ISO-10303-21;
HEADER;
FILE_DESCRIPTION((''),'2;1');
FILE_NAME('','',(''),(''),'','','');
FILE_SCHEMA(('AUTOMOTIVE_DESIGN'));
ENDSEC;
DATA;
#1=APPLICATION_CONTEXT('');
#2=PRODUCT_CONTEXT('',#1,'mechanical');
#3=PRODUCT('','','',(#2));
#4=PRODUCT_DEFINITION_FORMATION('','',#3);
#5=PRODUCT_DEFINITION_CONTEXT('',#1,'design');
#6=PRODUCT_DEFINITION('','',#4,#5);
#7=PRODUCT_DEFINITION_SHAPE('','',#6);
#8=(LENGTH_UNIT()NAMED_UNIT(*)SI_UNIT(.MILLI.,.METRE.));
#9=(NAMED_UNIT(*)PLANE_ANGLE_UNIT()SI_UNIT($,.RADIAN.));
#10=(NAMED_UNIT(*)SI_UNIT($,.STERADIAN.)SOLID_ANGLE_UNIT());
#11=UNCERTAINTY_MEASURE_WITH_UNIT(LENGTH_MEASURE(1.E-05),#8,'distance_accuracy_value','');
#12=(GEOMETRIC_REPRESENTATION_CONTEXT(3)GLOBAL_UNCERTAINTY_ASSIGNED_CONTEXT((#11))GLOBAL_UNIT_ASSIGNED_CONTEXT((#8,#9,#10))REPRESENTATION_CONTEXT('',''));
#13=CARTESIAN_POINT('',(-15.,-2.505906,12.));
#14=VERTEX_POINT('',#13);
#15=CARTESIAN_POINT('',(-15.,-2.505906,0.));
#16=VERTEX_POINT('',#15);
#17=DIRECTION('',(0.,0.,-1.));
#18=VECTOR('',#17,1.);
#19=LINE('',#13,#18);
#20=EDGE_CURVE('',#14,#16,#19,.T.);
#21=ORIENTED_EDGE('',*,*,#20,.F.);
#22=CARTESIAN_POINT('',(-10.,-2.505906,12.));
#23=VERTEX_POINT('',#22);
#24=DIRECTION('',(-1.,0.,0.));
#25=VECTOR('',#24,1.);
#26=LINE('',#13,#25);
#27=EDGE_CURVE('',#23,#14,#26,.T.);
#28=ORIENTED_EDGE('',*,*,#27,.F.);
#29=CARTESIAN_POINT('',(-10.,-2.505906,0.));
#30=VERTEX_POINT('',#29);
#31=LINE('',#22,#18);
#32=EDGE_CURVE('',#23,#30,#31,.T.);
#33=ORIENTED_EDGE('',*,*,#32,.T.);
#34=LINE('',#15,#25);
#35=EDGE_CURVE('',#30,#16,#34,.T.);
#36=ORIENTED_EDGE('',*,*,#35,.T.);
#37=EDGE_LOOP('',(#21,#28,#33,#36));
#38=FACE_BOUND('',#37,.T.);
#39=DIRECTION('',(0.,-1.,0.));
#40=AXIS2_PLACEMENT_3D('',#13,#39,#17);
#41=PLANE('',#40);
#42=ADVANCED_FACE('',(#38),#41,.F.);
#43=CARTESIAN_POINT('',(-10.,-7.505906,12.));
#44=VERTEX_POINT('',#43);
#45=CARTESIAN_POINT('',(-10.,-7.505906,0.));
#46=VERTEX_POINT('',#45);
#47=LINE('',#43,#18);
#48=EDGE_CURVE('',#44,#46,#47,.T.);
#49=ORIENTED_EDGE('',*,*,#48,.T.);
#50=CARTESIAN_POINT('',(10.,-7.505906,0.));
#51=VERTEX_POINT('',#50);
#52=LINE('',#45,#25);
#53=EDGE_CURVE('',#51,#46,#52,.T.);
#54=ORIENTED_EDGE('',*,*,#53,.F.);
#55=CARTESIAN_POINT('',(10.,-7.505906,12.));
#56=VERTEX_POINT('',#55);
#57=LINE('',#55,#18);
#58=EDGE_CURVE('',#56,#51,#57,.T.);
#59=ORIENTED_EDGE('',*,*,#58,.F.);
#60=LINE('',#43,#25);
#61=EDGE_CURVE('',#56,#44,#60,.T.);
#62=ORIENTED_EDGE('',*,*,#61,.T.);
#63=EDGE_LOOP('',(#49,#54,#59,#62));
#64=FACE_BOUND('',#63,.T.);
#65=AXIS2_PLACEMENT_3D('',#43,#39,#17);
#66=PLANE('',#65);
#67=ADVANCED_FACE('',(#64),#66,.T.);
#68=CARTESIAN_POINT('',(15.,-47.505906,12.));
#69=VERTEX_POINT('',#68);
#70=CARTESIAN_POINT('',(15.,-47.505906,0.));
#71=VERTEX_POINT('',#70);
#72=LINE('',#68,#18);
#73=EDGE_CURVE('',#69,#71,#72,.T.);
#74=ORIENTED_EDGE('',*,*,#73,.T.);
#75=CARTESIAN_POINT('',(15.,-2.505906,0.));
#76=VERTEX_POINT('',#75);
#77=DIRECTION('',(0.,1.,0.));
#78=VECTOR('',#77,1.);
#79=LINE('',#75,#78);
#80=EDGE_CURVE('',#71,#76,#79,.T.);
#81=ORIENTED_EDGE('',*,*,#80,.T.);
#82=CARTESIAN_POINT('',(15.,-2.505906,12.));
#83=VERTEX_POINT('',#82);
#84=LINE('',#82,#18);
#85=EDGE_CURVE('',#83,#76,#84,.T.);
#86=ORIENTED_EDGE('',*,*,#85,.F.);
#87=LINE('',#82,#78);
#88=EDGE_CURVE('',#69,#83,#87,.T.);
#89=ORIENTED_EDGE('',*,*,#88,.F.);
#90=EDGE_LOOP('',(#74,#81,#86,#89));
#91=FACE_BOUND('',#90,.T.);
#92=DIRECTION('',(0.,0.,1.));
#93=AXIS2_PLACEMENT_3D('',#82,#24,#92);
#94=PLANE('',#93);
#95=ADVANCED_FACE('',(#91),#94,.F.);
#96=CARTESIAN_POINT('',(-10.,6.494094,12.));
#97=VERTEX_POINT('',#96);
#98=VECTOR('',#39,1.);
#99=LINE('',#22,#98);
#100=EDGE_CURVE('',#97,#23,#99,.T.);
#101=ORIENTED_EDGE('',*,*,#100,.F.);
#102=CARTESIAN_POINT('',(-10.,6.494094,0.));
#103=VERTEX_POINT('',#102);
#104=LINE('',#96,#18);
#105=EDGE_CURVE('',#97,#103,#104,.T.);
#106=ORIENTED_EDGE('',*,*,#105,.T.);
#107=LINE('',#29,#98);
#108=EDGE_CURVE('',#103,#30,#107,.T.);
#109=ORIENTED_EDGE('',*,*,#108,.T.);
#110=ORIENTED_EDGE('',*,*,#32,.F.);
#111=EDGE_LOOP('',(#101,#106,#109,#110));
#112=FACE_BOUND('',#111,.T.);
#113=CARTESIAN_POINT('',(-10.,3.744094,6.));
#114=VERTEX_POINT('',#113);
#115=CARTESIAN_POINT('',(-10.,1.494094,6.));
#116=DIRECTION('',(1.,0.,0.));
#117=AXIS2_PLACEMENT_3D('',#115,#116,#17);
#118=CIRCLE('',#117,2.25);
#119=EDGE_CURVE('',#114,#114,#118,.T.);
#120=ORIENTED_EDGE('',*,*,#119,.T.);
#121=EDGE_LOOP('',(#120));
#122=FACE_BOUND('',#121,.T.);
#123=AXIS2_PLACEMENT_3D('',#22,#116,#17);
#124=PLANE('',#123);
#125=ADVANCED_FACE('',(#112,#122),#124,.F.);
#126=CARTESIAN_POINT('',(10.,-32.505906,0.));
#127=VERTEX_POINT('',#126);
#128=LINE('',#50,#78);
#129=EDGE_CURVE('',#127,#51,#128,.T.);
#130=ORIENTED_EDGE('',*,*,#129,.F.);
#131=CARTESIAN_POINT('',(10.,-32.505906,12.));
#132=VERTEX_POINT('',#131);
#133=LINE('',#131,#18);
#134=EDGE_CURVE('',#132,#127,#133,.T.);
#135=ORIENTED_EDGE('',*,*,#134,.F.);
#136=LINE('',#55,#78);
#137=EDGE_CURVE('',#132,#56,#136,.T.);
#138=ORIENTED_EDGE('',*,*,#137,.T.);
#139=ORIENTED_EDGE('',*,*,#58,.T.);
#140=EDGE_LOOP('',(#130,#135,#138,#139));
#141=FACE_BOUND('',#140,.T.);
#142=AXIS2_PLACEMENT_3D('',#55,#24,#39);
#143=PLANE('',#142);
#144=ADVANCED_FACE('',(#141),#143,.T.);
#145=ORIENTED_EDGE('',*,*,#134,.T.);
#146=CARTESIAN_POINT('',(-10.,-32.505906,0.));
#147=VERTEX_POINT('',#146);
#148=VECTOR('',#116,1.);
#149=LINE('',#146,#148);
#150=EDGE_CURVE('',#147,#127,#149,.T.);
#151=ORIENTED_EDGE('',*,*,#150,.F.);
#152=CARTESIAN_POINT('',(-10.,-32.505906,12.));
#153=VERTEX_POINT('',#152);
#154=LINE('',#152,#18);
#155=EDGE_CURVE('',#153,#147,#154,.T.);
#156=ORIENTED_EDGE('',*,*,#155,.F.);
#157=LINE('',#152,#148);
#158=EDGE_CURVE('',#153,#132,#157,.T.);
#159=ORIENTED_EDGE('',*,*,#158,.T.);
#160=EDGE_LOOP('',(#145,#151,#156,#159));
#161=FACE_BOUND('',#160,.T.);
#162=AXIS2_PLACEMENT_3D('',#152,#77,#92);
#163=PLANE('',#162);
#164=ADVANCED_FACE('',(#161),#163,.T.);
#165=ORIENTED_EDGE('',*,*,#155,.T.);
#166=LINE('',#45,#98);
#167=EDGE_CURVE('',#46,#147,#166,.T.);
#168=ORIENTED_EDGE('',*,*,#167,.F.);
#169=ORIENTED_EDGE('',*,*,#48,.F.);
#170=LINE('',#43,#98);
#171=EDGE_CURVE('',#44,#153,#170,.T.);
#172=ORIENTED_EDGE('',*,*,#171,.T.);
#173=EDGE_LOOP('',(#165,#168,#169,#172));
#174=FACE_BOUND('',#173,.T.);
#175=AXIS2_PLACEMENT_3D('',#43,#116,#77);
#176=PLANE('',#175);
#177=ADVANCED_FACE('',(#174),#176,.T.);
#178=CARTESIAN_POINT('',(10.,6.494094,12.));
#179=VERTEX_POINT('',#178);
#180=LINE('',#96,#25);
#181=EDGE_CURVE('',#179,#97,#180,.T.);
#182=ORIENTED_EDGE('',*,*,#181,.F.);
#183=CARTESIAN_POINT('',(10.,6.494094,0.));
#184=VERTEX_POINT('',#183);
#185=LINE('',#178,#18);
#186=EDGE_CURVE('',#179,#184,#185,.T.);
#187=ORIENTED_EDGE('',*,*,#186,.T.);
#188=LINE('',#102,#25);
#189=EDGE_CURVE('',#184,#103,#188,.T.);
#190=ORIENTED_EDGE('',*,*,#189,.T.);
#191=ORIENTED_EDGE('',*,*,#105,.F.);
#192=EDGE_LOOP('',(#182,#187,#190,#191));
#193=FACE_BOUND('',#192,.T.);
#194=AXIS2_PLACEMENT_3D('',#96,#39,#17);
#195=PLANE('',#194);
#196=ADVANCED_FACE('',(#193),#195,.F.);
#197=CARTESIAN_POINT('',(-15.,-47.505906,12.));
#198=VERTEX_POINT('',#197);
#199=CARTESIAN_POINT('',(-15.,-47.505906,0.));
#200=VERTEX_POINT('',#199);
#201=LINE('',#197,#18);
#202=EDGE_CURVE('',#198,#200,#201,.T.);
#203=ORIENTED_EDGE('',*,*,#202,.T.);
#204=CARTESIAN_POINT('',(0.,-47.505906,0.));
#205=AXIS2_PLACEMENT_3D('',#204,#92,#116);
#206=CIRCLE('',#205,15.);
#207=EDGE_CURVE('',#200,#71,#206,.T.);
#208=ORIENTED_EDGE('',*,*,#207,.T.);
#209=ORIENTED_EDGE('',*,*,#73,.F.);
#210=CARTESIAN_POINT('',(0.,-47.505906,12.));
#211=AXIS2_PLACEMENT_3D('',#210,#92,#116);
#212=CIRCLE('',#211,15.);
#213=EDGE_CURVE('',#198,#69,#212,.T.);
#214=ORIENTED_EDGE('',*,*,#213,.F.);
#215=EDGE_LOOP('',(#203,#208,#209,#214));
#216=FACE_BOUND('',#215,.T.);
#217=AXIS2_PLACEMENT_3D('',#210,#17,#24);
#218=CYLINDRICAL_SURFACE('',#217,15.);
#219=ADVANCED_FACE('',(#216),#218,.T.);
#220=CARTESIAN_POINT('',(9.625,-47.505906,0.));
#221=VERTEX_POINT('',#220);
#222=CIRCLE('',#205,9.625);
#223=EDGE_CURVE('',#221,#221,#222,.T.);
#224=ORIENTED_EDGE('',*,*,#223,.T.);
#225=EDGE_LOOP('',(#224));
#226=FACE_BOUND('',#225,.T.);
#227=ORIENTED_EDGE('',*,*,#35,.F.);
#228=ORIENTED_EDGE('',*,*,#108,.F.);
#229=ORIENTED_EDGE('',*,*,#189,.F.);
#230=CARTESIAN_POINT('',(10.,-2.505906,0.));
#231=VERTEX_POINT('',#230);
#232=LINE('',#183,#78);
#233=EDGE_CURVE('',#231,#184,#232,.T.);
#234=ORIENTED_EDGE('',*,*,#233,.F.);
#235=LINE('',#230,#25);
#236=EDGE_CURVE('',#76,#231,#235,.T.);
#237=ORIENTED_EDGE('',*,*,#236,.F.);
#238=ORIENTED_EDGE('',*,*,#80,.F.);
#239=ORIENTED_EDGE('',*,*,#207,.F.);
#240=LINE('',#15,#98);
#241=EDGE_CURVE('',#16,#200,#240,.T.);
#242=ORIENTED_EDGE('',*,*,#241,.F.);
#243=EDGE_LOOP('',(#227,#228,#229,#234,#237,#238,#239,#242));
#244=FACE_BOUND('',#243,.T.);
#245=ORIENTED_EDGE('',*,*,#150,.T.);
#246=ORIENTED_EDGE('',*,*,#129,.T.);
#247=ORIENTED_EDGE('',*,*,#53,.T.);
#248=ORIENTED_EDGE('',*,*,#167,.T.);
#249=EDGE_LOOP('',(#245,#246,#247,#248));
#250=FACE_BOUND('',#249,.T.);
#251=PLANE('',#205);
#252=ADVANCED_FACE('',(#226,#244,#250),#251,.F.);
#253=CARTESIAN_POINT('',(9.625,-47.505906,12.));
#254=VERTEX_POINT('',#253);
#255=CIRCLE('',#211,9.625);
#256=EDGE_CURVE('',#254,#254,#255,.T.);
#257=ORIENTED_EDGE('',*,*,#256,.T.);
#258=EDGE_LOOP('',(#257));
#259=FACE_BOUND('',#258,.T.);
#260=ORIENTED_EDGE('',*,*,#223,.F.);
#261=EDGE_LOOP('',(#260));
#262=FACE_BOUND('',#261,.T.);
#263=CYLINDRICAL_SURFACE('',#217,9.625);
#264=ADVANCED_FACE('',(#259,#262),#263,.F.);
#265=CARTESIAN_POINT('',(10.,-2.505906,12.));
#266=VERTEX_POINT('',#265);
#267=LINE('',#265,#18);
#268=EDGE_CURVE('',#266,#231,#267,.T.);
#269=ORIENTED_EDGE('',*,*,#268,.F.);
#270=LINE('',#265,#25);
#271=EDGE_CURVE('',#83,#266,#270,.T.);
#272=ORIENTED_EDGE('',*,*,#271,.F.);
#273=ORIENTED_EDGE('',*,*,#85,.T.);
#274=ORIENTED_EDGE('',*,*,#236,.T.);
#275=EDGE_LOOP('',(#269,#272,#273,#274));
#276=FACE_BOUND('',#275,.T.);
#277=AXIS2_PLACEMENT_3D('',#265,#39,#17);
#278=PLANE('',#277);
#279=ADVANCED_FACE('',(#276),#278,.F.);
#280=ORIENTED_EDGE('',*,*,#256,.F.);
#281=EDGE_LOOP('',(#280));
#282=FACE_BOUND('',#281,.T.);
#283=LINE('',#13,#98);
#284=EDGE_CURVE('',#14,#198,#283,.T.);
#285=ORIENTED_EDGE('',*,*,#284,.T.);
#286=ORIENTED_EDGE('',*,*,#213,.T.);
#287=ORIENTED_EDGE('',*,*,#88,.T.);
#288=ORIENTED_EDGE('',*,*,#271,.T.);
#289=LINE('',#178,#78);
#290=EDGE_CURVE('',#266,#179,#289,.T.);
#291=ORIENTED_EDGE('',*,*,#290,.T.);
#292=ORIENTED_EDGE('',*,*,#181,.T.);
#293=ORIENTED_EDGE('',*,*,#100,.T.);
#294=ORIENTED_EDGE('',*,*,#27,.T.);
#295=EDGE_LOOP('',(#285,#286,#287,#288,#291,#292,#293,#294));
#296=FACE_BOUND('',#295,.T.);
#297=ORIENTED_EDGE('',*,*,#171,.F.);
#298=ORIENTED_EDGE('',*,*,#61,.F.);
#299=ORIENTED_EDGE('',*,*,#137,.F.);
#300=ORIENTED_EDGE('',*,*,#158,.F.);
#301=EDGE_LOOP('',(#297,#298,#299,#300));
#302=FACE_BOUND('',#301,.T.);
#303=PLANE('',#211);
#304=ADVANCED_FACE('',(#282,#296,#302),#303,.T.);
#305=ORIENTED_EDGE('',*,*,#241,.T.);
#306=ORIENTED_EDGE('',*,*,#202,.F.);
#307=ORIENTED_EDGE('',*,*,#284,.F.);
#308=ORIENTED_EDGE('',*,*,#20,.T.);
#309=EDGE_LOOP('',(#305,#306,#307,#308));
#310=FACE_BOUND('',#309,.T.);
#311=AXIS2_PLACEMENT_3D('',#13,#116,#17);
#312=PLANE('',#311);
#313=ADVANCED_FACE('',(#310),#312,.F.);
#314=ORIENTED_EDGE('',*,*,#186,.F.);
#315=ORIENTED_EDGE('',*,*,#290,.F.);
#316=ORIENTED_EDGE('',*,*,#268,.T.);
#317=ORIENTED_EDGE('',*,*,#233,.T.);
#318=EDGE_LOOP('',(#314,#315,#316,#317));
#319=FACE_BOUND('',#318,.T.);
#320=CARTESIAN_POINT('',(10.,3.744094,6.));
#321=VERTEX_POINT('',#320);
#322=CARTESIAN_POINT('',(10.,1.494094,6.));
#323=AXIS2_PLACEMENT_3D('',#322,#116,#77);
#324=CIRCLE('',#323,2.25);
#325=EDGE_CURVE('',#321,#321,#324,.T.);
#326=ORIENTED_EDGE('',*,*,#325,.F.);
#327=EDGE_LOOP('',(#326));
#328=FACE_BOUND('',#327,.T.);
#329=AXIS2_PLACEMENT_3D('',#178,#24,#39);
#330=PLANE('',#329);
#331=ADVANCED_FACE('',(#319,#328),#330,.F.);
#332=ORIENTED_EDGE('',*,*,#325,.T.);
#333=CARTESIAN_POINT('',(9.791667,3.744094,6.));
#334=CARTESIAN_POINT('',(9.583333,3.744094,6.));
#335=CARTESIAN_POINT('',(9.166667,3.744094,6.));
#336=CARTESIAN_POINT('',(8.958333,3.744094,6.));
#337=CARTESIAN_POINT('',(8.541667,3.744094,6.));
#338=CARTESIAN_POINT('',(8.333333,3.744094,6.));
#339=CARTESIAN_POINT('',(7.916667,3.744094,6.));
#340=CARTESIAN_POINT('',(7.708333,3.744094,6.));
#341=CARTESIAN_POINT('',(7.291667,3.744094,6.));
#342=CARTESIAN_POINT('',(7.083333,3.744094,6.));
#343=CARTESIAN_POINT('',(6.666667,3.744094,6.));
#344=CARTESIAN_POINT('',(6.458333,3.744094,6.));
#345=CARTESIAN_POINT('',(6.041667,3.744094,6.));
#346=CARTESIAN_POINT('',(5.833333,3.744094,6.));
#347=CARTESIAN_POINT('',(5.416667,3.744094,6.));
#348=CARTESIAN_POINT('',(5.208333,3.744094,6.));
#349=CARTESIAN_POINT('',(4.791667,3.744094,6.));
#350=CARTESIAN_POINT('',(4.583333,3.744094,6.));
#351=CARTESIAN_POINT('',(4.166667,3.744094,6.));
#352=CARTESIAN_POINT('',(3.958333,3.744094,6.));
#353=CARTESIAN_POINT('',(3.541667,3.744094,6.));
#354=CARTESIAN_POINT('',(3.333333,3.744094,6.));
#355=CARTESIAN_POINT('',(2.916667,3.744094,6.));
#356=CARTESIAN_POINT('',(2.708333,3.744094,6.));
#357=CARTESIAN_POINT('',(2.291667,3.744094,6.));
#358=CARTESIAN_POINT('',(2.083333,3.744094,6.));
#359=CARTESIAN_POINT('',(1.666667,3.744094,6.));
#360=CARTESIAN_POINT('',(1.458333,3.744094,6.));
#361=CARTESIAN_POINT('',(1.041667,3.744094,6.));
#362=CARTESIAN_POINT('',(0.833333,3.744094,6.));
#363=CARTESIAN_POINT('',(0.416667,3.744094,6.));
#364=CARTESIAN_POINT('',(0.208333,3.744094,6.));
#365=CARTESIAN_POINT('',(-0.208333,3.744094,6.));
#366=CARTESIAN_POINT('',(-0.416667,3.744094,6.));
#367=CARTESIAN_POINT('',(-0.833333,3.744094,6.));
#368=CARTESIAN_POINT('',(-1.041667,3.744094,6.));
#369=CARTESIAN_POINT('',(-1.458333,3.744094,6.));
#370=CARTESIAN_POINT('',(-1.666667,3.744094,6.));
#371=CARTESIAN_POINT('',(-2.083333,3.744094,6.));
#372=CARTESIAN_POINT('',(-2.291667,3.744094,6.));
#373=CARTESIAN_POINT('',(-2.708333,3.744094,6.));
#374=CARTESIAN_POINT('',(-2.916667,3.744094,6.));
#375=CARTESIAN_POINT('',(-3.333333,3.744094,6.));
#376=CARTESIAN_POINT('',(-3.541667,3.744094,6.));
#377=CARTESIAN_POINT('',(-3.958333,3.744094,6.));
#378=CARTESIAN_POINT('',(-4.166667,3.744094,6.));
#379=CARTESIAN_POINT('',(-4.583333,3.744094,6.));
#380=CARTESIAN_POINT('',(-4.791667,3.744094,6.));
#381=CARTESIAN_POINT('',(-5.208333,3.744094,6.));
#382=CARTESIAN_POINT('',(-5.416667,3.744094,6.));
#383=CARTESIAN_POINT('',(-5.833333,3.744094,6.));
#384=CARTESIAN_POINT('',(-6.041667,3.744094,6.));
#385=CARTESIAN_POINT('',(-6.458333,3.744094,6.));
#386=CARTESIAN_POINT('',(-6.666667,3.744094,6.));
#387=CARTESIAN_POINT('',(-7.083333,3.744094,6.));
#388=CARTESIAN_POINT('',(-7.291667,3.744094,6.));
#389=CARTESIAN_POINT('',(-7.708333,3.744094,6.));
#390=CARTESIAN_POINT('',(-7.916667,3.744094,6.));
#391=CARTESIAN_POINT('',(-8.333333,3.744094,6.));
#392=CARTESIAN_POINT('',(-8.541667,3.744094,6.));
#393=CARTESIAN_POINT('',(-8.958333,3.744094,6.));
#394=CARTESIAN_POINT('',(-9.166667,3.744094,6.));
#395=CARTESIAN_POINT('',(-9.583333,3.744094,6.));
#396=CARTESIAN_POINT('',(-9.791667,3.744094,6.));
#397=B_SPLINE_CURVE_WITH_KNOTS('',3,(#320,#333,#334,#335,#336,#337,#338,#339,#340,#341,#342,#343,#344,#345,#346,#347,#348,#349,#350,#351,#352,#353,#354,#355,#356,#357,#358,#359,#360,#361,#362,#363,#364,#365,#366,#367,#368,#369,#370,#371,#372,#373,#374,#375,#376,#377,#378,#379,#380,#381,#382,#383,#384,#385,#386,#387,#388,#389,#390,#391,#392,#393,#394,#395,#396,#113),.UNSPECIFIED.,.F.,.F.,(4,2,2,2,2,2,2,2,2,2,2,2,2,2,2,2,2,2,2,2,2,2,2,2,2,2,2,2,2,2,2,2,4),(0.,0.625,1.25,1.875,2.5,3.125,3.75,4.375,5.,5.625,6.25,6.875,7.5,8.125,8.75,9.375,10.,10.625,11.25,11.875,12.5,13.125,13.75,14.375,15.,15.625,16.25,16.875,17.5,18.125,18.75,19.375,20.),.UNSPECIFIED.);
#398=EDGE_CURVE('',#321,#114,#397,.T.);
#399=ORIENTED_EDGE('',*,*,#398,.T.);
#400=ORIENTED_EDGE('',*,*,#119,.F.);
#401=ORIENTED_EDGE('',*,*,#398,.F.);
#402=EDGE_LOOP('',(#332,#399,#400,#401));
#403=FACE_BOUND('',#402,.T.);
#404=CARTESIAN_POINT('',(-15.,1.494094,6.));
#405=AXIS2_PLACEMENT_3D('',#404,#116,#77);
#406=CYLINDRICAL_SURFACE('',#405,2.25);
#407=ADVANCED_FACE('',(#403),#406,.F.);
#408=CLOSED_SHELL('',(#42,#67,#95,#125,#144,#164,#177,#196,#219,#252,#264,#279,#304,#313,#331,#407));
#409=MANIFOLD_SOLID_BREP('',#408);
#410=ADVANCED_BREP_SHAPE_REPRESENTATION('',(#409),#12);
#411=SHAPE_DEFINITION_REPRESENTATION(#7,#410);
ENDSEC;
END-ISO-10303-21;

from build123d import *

# Parameters (mm, degrees)
SKETCH1_R           = 9.625
SKETCH1_W           = 20
SKETCH1_H           = 25
BOSS_EXTRUDE1_DEPTH = 12
SKETCH2_R           = 2.25
CUT_EXTRUDE1_DEPTH  = 69.381198132


with BuildPart() as part:
    # Sketch1 → Boss-Extrude1 (new body)
    with BuildSketch(Plane.XY):
        with BuildLine():
            Line((-10, -2.505905785), (-10, 6.494094215))
            Line((-10, 6.494094215), (10, 6.494094215))
            Line((10, 6.494094215), (10, -2.505905785))
            Line((10, -2.505905785), (15, -2.505905785))
            Line((15, -2.505905785), (15, -47.505905785))
            ThreePointArc((15, -47.505905785), (0, -62.505905785), (-15, -47.505905785))
            Line((-15, -47.505905785), (-15, -2.505905785))
            Line((-15, -2.505905785), (-10, -2.505905785))
        make_face()
        with Locations((0, -47.505905785)):
            Circle(SKETCH1_R, mode=Mode.SUBTRACT)
        with Locations((0, -20.005905785)):
            Rectangle(SKETCH1_W, SKETCH1_H, mode=Mode.SUBTRACT)
    extrude(amount=BOSS_EXTRUDE1_DEPTH)

    # Sketch2 → Cut-Extrude1 (cut, through all)
    with BuildSketch(Plane(origin=(10, 0, 0), x_dir=(0, 0, -1), z_dir=(1, 0, 0))):
        with Locations(Location((-6, 1.494094215, 0), (0, 0, 90))):
            Circle(SKETCH2_R)
    extrude(amount=-CUT_EXTRUDE1_DEPTH, mode=Mode.SUBTRACT)


solid = part.part
